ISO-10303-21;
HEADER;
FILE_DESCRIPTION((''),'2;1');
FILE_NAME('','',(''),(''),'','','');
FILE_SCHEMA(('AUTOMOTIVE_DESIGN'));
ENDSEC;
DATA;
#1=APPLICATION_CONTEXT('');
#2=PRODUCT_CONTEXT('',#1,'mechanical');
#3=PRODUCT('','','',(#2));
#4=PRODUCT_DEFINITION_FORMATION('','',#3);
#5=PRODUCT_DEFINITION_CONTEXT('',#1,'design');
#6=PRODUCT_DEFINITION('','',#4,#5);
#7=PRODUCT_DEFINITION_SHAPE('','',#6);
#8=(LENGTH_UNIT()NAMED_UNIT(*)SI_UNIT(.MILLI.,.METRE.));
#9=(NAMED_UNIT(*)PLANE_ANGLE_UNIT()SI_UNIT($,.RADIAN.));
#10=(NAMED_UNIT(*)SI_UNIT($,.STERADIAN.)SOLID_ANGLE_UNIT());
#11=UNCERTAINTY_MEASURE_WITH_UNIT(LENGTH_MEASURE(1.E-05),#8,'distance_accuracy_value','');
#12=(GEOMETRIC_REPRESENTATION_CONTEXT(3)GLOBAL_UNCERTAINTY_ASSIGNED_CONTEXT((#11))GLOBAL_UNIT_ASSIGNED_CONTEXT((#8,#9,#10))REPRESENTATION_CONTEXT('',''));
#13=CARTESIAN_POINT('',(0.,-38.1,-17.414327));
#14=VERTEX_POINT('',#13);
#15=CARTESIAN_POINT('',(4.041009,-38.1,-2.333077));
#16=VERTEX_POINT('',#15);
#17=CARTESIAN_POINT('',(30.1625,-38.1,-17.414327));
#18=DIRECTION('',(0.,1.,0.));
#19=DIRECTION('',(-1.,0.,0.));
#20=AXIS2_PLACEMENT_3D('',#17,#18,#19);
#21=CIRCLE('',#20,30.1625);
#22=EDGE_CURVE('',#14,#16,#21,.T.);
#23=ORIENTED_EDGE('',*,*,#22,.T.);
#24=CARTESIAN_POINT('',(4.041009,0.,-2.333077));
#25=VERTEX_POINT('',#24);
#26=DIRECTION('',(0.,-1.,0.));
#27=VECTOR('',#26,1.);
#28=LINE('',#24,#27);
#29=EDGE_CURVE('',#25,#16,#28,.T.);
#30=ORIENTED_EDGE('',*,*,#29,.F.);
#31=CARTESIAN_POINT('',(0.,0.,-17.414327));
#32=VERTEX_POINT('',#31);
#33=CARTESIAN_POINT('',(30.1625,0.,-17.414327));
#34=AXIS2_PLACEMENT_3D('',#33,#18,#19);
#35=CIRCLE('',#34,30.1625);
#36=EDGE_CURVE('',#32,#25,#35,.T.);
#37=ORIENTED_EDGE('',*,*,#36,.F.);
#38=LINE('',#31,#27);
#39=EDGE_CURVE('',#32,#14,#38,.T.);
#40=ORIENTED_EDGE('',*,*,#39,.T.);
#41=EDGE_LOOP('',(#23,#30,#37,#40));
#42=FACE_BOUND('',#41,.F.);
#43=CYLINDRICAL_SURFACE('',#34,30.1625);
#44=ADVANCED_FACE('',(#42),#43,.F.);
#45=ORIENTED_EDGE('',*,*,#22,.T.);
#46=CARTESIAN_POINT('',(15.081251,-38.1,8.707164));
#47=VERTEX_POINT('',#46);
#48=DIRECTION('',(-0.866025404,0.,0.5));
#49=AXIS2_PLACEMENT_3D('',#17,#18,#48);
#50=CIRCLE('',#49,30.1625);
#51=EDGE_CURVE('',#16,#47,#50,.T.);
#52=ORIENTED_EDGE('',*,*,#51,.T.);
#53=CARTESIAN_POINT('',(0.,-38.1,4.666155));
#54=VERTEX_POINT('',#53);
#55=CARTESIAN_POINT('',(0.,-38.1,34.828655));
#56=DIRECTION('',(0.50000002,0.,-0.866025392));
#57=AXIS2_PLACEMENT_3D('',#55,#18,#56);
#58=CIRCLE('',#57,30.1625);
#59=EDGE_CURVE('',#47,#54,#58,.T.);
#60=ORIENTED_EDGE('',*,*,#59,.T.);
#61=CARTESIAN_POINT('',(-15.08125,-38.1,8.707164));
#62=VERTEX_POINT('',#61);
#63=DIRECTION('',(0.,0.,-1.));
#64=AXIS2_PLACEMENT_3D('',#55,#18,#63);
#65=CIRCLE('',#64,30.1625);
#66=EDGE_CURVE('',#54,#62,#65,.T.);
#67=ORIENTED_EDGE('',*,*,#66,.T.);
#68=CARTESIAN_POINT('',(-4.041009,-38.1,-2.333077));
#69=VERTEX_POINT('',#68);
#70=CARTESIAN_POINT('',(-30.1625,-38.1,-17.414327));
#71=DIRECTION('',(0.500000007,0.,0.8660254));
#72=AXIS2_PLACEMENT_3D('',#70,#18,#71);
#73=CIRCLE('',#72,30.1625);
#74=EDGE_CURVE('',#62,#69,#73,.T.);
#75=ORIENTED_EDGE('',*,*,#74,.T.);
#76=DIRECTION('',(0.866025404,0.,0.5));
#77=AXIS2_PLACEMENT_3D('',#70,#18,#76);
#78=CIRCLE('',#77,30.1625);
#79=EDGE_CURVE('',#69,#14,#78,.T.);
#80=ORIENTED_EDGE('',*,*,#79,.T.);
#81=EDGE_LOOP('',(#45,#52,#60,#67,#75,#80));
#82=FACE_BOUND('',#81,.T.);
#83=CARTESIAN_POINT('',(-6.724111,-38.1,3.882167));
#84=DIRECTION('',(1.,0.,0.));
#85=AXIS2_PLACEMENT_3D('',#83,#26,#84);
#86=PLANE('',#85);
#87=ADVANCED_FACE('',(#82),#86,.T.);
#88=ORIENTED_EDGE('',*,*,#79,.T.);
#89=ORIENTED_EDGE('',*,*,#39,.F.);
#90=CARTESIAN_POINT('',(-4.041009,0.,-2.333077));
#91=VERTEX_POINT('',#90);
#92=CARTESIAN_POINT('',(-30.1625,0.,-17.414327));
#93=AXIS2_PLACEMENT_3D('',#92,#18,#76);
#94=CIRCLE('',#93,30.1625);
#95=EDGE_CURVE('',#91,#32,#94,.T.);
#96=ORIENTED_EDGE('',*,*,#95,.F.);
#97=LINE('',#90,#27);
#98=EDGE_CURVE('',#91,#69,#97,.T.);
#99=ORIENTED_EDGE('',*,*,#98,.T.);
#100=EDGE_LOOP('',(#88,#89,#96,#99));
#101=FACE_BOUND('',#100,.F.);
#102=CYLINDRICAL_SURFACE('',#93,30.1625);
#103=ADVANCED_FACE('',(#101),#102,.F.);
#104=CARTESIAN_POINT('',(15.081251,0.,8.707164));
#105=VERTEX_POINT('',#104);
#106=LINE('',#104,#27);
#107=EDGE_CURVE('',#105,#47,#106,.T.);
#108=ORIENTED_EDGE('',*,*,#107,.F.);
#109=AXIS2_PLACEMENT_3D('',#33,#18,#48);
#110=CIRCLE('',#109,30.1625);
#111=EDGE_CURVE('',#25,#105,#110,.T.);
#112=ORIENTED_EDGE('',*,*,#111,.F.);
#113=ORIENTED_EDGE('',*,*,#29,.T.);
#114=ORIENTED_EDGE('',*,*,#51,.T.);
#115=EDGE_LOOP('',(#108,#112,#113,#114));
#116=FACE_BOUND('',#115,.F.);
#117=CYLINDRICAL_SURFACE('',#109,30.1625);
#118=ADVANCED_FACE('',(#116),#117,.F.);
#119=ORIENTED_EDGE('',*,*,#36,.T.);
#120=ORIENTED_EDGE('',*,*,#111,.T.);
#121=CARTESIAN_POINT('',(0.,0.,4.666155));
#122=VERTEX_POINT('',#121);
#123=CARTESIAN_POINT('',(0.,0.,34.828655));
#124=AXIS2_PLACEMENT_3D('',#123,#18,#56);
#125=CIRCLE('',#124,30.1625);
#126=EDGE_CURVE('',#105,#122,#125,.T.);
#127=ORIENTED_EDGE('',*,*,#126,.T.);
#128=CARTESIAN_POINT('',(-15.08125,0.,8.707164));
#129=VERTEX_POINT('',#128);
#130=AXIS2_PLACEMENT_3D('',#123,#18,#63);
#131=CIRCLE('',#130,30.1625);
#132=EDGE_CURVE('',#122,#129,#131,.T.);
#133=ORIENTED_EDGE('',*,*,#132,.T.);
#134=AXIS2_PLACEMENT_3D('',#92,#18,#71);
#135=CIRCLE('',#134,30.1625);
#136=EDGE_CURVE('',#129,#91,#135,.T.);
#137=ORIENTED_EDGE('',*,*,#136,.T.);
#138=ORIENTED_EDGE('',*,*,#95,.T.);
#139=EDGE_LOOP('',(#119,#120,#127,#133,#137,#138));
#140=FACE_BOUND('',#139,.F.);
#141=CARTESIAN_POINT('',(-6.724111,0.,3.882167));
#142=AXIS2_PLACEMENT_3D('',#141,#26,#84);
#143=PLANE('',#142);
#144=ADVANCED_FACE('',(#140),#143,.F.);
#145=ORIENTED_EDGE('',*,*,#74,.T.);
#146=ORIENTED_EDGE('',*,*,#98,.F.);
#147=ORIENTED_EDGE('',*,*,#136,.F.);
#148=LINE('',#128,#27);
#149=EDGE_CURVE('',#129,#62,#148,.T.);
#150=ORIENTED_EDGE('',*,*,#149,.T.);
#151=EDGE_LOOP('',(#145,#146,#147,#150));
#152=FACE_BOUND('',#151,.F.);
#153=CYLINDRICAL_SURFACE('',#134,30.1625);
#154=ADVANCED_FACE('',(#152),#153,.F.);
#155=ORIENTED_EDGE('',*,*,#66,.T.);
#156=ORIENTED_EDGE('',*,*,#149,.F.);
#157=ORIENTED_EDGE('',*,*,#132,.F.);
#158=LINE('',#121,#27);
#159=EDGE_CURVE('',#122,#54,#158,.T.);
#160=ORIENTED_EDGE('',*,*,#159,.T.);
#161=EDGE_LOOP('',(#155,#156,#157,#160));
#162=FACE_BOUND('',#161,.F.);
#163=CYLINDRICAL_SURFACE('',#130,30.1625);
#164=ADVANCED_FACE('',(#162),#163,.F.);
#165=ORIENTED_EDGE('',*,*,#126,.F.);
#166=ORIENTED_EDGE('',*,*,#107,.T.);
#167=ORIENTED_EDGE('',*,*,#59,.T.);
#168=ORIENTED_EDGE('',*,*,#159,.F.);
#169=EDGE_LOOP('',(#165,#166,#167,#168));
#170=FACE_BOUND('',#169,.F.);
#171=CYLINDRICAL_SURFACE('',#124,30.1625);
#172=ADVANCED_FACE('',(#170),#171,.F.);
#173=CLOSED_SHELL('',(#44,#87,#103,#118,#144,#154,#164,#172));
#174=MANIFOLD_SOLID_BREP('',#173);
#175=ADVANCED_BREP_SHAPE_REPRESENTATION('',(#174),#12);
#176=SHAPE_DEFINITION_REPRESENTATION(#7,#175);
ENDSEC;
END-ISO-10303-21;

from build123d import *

# Parameters (mm, degrees)
F1_DEPTH = 38.1


with BuildPart() as f1:
    # F0 (on Front) → F1 (new body)
    with BuildSketch(Plane.XZ):
        with BuildLine():
            Line((-4.0410087584, -2.3330774944), (0, 0))
            Line((0, 0), (0, 4.6661549889))
            ThreePointArc((0, 4.6661549889), (-7.8066293313, 5.6939172222), (-15.0812497909, 8.7071636265))
            ThreePointArc((-15.0812497909, 8.7071636265), (-8.8343916271, 3.9137807077), (-4.0410087584, -2.3330774944))
        make_face()
        with BuildLine():
            Line((0, 0), (4.0410087584, -2.3330774944))
            ThreePointArc((4.0410087584, -2.3330774944), (8.8343919533, 3.913781034), (15.0812505899, 8.7071640878))
            ThreePointArc((15.0812505899, 8.7071640878), (7.8066297769, 5.6939173416), (0, 4.6661549889))
            Line((0, 4.6661549889), (0, 0))
        make_face()
        with BuildLine():
            ThreePointArc((0, -17.4143274944), (1.0277622646, -9.6076980465), (4.0410087584, -2.3330774944))
            Line((4.0410087584, -2.3330774944), (0, 0))
            Line((0, 0), (-4.0410087584, -2.3330774944))
            ThreePointArc((-4.0410087584, -2.3330774944), (-1.0277622646, -9.6076980465), (0, -17.4143274944))
        make_face()
    extrude(amount=F1_DEPTH)


solid = f1.part
